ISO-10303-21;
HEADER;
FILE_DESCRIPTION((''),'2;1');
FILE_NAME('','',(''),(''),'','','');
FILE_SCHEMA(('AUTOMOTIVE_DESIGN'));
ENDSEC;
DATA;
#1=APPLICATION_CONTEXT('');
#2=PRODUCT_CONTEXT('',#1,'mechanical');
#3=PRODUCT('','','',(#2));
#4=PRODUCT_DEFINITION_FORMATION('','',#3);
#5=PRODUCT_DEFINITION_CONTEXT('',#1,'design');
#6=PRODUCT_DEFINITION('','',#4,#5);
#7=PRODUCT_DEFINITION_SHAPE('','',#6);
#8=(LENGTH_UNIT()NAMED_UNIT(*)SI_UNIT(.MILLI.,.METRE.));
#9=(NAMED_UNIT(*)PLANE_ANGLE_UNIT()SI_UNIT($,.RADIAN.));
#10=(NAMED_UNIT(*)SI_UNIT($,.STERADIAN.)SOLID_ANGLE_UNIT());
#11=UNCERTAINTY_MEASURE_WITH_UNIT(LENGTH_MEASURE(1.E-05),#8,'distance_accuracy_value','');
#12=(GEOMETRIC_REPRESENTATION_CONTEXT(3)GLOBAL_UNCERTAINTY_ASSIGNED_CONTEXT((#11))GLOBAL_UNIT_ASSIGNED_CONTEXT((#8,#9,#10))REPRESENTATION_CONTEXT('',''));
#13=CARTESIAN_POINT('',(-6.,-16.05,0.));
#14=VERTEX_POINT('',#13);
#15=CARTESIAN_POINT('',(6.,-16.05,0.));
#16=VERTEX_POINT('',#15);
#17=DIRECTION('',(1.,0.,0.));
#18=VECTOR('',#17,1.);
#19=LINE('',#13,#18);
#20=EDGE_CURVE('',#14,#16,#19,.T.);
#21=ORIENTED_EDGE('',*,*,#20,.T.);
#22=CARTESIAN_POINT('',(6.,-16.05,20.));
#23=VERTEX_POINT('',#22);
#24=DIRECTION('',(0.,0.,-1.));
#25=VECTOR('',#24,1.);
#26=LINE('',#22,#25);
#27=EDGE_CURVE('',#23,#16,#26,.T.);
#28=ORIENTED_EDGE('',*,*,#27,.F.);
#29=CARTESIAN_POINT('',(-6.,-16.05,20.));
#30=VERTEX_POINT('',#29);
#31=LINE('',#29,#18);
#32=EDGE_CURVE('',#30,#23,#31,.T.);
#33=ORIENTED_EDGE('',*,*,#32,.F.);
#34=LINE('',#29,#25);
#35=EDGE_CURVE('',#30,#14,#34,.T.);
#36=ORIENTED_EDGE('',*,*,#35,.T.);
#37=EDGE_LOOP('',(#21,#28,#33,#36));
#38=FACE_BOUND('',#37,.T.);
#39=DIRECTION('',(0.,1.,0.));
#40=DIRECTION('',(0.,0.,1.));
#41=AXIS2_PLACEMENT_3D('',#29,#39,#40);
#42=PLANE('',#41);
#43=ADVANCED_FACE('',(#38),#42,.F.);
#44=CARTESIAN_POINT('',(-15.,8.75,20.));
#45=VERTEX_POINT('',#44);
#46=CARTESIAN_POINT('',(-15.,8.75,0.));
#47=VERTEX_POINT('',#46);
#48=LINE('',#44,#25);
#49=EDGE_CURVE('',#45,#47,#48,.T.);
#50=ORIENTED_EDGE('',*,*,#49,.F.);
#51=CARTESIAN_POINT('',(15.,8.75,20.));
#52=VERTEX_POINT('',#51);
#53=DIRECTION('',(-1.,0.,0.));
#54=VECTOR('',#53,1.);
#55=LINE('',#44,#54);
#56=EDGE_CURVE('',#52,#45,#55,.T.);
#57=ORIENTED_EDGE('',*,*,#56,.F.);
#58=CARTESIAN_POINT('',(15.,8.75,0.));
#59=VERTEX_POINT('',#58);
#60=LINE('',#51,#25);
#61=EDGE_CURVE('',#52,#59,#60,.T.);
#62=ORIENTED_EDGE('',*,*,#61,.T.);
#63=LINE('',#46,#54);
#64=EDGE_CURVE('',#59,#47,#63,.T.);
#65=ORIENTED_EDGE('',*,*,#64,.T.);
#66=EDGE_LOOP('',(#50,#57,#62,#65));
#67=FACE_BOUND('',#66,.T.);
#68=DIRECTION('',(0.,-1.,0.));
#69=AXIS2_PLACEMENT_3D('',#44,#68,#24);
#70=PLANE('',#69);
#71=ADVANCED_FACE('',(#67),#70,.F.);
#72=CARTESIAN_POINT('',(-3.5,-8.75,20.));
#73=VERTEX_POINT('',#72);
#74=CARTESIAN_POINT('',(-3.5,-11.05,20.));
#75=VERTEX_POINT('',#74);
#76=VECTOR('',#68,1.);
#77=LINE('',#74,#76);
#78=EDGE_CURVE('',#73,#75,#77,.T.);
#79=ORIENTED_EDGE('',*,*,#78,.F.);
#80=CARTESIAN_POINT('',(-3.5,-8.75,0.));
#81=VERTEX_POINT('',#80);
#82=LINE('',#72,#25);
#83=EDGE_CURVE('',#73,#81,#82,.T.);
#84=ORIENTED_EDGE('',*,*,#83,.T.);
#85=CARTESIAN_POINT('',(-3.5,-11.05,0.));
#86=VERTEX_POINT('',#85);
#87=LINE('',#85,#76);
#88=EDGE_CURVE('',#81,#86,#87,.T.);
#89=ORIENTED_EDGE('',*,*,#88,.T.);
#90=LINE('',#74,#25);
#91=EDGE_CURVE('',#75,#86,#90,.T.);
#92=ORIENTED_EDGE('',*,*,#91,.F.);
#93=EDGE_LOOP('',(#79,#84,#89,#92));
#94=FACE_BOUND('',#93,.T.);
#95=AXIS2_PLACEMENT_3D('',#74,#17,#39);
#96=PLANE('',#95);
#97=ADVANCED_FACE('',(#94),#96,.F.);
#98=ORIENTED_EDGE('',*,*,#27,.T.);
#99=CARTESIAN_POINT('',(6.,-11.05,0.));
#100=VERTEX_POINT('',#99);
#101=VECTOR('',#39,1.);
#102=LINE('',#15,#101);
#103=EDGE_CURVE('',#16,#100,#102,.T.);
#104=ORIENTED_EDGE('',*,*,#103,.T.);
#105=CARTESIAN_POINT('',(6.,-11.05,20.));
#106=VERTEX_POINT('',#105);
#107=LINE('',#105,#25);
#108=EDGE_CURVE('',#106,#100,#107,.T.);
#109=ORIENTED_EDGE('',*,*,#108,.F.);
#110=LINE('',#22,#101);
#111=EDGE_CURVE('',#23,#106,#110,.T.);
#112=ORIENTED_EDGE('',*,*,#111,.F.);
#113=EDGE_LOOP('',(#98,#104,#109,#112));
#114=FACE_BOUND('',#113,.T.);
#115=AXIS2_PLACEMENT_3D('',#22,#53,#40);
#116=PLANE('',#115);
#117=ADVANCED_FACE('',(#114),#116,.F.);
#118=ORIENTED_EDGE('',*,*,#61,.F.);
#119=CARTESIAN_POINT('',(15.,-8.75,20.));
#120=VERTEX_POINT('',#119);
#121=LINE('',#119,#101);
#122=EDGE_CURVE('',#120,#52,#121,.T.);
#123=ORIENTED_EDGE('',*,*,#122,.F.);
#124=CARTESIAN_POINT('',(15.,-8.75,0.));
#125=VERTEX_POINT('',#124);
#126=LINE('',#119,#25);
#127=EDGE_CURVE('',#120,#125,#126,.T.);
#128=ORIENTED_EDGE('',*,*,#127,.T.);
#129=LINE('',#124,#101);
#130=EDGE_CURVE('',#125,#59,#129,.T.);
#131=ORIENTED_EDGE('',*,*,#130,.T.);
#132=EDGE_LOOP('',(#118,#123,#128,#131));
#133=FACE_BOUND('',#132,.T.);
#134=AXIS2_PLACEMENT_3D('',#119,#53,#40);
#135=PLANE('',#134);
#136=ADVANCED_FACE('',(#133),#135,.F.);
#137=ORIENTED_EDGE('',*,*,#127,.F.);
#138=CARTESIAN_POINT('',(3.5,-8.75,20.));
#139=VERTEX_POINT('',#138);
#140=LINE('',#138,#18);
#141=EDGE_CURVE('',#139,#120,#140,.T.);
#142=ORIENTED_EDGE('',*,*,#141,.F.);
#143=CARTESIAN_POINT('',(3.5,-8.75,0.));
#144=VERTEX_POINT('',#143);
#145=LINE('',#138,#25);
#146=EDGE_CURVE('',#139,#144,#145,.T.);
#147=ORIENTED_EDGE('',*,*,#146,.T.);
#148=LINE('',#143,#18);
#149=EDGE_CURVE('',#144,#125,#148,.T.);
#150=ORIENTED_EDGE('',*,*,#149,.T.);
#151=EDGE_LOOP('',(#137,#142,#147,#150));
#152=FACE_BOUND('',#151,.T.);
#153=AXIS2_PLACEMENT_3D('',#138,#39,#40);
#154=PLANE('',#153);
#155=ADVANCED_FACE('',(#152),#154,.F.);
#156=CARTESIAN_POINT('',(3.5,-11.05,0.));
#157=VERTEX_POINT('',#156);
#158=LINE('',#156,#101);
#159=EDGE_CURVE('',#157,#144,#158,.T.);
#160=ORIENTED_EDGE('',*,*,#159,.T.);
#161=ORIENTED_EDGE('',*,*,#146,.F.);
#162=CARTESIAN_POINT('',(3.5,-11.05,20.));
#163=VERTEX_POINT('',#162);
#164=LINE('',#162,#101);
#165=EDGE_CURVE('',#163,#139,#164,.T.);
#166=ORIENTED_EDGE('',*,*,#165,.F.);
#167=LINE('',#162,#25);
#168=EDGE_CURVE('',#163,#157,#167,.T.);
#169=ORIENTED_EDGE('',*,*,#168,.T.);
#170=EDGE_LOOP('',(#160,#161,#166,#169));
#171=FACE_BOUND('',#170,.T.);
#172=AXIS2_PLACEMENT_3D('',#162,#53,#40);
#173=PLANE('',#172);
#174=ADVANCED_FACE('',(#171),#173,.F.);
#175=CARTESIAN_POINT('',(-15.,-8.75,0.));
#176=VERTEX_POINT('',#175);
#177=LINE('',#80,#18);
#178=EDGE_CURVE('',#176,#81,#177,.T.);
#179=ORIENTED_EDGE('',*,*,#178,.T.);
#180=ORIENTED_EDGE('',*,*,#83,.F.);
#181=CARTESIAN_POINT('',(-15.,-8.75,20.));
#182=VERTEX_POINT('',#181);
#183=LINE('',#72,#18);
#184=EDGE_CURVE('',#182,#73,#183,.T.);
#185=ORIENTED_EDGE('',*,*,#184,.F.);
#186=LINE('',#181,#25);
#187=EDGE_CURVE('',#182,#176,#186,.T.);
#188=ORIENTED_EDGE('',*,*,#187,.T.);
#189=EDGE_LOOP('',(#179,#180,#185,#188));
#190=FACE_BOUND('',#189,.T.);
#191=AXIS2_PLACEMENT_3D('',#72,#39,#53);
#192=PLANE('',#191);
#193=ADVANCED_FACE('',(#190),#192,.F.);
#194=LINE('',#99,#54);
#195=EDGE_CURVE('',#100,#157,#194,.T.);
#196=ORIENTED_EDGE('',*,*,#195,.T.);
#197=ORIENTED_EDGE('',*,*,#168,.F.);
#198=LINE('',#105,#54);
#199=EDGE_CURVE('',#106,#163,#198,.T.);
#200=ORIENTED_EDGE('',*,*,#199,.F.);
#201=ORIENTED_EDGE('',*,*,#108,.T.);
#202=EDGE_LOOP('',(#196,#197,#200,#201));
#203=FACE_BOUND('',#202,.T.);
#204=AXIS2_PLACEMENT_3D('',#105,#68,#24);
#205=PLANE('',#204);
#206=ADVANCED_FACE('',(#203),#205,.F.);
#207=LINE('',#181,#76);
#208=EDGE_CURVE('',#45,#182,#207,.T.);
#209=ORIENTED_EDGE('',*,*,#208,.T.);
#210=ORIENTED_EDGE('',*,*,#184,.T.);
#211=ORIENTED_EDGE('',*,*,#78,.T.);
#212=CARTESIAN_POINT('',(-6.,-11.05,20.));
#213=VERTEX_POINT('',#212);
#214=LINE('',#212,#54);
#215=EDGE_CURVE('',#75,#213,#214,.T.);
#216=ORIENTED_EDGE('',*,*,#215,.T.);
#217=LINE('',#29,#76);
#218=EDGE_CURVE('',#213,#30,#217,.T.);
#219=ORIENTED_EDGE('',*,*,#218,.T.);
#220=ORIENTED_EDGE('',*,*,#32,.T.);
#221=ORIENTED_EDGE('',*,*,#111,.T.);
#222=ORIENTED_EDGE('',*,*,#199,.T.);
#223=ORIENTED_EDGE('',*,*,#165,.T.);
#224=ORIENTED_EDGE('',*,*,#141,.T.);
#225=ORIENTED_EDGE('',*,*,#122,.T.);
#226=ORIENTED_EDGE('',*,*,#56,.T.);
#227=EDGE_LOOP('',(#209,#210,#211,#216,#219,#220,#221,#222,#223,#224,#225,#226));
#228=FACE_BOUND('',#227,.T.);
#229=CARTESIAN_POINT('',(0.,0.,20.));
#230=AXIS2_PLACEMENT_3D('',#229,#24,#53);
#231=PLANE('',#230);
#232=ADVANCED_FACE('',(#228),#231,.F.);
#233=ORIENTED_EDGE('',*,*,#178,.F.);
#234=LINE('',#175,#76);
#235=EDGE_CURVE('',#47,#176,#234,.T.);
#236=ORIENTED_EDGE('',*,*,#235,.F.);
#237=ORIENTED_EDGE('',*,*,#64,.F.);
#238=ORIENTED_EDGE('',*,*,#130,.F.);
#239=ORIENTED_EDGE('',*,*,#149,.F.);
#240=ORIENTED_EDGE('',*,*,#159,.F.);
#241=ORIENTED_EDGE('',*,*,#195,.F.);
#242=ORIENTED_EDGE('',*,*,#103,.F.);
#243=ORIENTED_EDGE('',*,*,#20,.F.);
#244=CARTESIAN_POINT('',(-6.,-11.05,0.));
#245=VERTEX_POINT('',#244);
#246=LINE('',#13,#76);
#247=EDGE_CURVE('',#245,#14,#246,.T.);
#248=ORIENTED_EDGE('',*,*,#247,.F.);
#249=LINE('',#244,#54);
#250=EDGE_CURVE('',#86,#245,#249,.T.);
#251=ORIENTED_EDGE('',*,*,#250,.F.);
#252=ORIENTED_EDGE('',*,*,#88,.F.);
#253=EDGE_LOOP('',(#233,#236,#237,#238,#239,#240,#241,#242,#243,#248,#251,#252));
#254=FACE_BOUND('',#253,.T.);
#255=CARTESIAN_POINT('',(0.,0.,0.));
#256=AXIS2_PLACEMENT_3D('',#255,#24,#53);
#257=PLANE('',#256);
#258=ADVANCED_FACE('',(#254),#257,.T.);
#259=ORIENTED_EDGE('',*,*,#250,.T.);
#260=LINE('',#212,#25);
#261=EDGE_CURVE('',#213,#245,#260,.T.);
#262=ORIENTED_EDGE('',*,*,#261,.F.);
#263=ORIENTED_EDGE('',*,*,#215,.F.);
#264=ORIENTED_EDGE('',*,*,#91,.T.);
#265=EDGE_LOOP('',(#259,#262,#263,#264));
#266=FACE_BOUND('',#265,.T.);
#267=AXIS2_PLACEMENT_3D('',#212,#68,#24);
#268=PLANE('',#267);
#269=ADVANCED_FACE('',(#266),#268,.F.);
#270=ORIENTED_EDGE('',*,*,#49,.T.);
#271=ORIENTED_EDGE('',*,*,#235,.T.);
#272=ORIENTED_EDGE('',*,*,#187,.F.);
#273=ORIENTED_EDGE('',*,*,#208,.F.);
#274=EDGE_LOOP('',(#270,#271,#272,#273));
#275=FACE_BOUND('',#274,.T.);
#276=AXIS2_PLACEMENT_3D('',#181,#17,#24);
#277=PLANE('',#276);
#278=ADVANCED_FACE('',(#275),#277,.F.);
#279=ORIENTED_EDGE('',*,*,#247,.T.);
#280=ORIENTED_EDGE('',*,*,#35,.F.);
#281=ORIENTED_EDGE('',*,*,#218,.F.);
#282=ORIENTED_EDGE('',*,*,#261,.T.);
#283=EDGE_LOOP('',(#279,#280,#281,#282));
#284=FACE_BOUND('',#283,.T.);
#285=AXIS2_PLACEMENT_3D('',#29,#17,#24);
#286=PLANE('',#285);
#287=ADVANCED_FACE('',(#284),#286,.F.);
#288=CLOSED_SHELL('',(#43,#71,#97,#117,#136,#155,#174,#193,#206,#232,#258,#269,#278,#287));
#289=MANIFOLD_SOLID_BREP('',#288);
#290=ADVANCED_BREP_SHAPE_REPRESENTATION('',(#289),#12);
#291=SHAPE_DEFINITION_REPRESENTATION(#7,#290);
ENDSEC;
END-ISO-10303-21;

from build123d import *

# Parameters (mm, degrees)
EXTRUDE_1_DEPTH = 20


with BuildPart() as part:
    # 草图1 → 凸台-拉伸1 (new body)
    with BuildSketch(Plane.XY):
        Polygon((-6, -16.05), (6, -16.05), (6, -11.05), (3.5, -11.05), (3.5, -8.75), (15, -8.75), (15, 8.75), (-15, 8.75), (-15, -8.75), (-3.5, -8.75), (-3.5, -11.05), (-6, -11.05), align=None)
    extrude(amount=EXTRUDE_1_DEPTH)


solid = part.part
